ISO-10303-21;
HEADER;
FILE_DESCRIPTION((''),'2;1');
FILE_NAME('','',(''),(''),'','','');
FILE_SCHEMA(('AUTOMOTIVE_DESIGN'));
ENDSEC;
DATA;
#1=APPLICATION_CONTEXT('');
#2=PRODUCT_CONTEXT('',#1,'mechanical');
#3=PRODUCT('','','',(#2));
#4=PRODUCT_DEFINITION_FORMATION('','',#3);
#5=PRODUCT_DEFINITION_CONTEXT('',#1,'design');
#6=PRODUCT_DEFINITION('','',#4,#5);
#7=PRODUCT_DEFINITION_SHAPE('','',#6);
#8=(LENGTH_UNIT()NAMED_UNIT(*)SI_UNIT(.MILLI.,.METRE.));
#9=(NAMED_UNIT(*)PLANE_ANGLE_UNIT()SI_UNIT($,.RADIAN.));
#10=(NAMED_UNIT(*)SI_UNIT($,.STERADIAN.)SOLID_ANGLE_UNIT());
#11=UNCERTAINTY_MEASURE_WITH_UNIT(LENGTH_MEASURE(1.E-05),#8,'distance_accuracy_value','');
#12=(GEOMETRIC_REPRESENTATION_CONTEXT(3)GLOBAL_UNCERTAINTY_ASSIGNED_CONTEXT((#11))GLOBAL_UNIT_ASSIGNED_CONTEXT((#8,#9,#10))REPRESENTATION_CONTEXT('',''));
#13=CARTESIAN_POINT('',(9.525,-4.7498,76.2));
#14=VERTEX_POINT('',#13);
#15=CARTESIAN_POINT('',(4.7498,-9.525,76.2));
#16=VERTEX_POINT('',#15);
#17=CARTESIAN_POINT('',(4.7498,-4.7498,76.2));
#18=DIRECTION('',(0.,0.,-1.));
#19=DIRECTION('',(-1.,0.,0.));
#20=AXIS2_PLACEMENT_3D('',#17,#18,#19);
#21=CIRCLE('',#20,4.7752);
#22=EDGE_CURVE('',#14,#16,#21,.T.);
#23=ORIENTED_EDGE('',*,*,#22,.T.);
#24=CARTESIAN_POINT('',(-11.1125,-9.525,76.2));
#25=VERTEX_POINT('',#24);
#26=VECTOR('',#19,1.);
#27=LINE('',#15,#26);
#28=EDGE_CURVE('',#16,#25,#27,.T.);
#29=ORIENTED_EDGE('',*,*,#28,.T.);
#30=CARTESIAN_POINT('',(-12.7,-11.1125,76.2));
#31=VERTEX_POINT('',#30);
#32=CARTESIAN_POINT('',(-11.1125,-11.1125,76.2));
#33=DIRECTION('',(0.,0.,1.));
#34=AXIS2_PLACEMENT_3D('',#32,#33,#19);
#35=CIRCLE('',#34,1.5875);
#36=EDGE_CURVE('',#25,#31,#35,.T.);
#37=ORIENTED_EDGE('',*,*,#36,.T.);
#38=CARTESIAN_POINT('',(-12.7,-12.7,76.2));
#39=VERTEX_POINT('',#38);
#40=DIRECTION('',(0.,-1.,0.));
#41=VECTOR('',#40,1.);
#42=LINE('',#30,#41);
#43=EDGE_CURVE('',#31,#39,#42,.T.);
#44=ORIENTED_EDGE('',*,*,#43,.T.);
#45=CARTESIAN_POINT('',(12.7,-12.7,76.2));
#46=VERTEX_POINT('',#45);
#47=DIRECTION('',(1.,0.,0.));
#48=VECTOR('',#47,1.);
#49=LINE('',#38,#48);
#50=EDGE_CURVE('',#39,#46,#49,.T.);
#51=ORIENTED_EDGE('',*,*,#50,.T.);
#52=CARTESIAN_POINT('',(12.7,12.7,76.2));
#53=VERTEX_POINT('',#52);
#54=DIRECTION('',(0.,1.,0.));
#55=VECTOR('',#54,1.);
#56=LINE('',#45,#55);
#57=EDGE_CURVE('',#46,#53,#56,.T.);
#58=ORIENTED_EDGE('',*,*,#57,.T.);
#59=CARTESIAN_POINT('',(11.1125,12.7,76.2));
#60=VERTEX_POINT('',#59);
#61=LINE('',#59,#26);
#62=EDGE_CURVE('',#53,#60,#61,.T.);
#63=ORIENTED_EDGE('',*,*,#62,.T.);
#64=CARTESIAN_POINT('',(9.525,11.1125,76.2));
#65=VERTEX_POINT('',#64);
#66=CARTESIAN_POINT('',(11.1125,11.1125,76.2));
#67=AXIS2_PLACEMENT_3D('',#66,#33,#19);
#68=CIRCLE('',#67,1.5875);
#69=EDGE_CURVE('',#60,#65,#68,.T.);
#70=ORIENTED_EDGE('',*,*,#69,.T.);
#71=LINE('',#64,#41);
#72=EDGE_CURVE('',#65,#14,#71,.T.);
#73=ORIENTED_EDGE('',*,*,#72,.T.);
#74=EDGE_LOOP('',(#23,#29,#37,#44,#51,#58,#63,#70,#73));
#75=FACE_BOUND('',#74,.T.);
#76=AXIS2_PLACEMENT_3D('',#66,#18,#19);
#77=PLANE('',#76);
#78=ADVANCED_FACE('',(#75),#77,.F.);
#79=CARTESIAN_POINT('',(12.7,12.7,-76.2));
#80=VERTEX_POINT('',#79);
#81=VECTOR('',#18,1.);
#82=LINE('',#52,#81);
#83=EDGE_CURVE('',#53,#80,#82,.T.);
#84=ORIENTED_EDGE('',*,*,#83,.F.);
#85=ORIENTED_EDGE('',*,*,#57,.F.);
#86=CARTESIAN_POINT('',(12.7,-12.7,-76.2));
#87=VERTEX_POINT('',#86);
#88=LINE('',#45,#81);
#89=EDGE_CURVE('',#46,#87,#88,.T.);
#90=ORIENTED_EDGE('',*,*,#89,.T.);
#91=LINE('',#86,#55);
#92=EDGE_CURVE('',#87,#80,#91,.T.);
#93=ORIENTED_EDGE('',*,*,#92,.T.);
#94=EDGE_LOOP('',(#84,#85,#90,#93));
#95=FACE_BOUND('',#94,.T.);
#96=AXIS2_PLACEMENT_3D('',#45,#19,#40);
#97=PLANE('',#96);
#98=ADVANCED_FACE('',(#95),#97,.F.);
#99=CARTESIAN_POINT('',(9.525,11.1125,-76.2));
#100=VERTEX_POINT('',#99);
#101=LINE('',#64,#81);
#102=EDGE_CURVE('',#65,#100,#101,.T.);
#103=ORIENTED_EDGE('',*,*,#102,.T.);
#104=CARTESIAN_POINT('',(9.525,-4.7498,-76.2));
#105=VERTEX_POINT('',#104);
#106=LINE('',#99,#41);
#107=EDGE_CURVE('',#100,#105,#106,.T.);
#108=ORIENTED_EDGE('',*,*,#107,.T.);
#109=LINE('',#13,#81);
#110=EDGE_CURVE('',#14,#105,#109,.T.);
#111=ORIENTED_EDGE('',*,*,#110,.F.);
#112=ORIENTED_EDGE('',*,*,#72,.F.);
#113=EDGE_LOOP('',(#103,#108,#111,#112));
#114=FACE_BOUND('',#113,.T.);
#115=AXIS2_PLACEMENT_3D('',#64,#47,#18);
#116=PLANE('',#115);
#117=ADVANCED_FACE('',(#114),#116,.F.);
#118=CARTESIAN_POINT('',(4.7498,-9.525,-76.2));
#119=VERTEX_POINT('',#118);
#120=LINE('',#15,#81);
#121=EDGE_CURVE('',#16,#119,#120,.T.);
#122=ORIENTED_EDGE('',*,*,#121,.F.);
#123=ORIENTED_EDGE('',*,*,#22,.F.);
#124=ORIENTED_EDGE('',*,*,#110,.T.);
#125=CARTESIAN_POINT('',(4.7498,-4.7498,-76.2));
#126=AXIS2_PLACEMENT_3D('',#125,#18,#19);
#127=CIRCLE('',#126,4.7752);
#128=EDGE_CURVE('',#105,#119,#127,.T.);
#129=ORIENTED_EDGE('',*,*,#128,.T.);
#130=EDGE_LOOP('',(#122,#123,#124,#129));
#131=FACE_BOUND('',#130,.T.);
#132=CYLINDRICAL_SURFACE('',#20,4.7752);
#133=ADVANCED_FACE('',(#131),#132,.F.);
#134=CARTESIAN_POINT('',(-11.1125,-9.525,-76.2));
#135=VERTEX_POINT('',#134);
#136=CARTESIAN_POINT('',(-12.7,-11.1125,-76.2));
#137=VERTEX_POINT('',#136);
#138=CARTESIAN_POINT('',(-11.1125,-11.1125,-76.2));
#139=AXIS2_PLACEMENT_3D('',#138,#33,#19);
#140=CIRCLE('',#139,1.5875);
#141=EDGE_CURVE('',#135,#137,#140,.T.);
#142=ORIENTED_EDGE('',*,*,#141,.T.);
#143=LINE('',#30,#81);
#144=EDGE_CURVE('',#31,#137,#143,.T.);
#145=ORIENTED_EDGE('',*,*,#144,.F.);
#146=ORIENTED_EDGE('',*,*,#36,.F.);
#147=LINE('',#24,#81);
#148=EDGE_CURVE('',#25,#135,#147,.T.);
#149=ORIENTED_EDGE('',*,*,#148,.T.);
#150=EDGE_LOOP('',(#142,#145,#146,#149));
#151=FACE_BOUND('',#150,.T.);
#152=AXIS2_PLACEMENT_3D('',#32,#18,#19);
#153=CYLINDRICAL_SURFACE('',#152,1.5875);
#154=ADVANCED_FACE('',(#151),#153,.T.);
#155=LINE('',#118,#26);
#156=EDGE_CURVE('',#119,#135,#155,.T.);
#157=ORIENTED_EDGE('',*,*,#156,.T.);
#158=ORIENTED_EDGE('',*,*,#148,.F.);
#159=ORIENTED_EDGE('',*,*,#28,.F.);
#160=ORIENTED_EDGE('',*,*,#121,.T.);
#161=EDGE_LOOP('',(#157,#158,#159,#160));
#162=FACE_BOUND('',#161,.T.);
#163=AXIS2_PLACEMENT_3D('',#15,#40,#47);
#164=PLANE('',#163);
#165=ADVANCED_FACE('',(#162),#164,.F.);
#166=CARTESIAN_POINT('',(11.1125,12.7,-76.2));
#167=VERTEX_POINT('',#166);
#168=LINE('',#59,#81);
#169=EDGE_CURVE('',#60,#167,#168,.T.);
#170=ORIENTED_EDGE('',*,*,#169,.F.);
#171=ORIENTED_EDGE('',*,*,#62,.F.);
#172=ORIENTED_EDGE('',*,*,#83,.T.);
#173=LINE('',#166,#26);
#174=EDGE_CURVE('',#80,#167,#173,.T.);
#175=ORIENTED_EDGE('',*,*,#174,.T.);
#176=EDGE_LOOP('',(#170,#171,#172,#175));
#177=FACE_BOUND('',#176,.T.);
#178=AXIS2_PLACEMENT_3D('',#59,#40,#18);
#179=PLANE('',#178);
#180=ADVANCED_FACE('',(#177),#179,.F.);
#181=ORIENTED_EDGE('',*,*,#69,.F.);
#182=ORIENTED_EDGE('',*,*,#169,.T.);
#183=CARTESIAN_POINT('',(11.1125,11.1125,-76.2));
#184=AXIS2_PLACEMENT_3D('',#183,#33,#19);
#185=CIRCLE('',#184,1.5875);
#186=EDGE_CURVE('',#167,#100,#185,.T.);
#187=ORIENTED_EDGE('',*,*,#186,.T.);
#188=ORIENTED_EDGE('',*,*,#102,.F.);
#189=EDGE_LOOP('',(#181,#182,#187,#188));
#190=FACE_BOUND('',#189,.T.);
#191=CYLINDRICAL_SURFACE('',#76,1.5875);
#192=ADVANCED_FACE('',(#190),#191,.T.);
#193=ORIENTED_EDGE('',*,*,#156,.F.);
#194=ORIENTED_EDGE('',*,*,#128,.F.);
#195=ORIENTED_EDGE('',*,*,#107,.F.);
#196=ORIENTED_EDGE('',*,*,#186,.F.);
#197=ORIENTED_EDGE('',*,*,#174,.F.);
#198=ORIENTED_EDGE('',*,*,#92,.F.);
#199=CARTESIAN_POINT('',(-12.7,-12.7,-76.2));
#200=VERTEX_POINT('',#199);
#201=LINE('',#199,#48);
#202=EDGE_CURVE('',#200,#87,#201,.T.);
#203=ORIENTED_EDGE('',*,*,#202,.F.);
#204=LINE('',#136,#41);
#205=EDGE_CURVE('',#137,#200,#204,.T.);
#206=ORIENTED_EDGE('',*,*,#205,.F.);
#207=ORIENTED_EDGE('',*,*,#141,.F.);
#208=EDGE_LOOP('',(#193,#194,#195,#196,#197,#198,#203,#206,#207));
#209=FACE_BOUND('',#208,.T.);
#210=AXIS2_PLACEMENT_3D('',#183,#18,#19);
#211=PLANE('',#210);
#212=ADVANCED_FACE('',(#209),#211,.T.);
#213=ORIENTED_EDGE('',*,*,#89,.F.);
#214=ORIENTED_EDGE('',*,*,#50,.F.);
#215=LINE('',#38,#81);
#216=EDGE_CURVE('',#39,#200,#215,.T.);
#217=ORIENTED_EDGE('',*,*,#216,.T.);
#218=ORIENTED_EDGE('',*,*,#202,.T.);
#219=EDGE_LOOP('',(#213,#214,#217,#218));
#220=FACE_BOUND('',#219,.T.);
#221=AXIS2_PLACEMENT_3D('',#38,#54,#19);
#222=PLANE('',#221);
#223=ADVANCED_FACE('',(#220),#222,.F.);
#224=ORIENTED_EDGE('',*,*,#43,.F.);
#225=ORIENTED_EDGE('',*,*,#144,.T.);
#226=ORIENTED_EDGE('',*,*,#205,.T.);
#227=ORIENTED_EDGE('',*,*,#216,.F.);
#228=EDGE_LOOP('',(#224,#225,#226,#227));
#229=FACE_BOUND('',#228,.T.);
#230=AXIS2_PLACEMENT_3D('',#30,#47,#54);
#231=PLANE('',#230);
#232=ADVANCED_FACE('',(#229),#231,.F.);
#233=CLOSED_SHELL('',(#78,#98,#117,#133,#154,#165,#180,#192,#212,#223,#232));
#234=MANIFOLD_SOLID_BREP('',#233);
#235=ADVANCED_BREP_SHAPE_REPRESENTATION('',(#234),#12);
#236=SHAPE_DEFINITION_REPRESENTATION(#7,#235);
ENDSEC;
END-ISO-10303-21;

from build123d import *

# Parameters (mm, degrees)
BOSS_EXTRUDE1_DEPTH = 76.2


with BuildPart() as part:
    # Sketch2 → Boss-Extrude1 (new, symmetric)
    with BuildSketch(Plane.XY):
        with BuildLine():
            Line((-12.7, -12.7), (12.7, -12.7))
            Line((12.7, -12.7), (12.7, 12.7))
            Line((12.7, 12.7), (11.1125, 12.7))
            ThreePointArc((11.1125, 12.7), (9.989967985, 12.235032015), (9.525, 11.1125))
            Line((9.525, 11.1125), (9.525, -4.7498))
            ThreePointArc((9.525, -4.7498), (8.126376302, -8.126376302), (4.7498, -9.525))
            Line((4.7498, -9.525), (-11.1125, -9.525))
            ThreePointArc((-11.1125, -9.525), (-12.235032015, -9.989967985), (-12.7, -11.1125))
            Line((-12.7, -11.1125), (-12.7, -12.7))
        make_face()
    extrude(amount=BOSS_EXTRUDE1_DEPTH, both=True)


solid = part.part
